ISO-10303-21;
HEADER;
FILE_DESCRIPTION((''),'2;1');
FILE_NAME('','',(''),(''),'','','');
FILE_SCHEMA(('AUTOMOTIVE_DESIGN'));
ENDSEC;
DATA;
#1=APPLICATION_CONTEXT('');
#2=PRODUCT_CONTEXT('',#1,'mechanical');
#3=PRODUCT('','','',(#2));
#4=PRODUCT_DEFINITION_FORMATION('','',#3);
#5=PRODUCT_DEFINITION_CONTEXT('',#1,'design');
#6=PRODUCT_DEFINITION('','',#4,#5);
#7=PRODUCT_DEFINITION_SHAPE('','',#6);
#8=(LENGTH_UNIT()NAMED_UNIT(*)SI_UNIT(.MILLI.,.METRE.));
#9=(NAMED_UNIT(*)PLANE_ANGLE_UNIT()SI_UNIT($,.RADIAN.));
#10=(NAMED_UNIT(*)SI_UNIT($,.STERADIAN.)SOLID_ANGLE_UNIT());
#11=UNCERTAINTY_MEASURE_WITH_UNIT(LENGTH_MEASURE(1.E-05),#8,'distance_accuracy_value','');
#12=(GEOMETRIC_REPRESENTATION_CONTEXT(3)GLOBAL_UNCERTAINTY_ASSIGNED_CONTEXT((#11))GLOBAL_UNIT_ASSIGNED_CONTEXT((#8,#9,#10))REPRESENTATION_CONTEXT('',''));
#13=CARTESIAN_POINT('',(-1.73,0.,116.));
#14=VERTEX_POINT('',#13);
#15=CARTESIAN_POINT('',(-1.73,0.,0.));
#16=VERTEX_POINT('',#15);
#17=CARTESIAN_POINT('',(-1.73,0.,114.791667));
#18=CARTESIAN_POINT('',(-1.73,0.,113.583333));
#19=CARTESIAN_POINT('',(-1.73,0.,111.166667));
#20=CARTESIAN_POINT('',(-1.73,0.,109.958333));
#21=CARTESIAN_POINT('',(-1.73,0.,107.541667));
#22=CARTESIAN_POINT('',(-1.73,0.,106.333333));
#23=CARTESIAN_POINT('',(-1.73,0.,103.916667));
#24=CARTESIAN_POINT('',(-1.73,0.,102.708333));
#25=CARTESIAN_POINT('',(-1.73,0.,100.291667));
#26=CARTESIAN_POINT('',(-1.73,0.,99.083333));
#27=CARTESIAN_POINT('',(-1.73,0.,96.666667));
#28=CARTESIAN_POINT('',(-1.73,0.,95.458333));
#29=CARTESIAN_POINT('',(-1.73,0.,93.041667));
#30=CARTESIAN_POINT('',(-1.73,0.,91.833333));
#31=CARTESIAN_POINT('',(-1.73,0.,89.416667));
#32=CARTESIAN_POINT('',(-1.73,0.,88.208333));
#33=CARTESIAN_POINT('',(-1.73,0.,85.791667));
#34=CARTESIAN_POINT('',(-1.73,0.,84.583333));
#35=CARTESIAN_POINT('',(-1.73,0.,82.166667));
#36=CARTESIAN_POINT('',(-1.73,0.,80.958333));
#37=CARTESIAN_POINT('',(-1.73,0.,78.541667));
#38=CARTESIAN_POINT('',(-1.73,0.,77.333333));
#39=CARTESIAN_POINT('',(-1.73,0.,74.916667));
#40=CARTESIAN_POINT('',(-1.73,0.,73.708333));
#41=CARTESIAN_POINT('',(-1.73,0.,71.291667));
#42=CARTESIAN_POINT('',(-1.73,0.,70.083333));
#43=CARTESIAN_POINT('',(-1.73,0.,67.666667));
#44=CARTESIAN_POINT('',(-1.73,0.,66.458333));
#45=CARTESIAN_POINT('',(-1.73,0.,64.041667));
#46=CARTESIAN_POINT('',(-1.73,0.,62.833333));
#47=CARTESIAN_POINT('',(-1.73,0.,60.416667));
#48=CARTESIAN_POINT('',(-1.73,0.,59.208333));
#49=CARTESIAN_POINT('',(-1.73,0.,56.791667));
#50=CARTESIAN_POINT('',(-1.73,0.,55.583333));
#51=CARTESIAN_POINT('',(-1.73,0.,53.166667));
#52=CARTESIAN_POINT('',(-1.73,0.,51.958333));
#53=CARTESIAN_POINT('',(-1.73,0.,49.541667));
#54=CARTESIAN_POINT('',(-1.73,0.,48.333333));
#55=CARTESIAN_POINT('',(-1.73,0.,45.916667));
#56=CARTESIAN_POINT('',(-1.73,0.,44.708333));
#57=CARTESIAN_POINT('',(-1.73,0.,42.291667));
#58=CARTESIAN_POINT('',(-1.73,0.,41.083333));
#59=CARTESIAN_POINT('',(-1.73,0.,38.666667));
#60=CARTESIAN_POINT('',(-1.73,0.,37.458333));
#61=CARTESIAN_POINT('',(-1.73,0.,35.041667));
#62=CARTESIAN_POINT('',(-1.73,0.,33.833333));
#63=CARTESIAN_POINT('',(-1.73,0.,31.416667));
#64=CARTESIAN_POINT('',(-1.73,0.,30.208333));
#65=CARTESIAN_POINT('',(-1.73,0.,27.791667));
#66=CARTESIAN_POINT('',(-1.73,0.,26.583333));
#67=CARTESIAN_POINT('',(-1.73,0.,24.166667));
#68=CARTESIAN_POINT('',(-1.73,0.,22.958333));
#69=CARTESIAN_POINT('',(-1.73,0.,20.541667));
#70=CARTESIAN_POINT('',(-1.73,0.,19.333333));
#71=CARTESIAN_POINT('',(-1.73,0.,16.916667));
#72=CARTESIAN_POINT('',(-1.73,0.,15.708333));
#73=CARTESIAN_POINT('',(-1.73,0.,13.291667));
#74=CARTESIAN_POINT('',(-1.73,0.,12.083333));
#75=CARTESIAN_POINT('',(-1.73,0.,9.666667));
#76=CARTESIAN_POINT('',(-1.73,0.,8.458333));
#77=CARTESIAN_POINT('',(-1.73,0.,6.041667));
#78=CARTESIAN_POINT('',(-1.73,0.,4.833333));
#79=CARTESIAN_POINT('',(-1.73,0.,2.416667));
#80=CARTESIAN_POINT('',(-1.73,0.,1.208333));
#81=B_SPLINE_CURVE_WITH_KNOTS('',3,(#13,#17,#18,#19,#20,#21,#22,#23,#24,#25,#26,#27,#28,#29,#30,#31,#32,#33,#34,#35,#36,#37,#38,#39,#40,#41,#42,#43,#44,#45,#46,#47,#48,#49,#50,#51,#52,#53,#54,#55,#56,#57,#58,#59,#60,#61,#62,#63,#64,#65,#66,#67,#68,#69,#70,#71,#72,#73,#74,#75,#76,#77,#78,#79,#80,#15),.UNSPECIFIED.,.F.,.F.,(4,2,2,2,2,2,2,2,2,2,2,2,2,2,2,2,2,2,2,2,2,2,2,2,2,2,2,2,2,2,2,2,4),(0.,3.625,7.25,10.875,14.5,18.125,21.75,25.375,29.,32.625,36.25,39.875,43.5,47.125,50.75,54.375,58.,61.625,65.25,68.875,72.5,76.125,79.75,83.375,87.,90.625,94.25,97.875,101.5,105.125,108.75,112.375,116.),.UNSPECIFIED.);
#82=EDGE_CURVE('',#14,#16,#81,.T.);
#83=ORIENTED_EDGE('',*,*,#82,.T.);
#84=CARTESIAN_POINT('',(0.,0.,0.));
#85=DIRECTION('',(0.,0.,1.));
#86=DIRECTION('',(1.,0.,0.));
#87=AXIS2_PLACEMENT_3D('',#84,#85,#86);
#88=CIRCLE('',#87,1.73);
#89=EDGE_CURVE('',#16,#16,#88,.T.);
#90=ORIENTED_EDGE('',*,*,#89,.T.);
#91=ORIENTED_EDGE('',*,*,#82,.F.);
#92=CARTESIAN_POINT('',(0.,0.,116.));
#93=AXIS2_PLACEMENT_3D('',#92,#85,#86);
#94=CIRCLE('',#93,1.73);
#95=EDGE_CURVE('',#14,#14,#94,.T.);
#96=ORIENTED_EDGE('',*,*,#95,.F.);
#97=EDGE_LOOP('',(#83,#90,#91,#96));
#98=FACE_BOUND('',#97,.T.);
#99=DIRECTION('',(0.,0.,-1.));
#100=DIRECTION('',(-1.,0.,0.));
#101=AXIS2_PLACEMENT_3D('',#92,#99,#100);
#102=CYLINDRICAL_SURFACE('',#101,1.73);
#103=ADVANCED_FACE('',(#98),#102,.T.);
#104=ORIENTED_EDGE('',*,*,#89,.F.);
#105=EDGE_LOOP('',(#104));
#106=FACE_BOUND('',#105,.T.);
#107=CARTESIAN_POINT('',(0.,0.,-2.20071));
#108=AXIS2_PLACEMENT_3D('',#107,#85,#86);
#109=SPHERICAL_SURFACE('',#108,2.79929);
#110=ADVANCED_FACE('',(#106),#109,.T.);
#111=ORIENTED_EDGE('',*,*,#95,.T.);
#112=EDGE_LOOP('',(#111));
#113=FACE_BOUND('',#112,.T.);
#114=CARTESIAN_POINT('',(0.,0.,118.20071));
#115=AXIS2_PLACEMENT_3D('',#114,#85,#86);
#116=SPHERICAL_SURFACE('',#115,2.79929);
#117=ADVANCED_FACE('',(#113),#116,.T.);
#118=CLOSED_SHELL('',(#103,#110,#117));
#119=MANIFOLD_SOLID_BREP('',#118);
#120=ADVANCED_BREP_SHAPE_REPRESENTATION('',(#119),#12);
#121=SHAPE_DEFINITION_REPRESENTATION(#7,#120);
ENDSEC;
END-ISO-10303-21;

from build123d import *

# Parameters (mm, degrees)
SKETCH1_R           = 1.73
BOSS_EXTRUDE1_DEPTH = 116
DOME1_FACE_RADIUS   = 1.73
DOME1_HEIGHT        = 5
DOME2_FACE_RADIUS   = 1.73
DOME2_HEIGHT        = 5


with BuildPart() as part:
    # Sketch1 → Boss-Extrude1 (new body)
    with BuildSketch(Plane.XY):
        with Locations(Location((0, 0, 0), (0, 0, 180))):
            Circle(SKETCH1_R)
    extrude(amount=BOSS_EXTRUDE1_DEPTH)

    # Dome1: a dome of height H over a round flat face of radius A is a cap of a sphere of radius (A * A + H * H) / (2 * H)
    dome1_r = (DOME1_FACE_RADIUS * DOME1_FACE_RADIUS + DOME1_HEIGHT * DOME1_HEIGHT) / (2 * DOME1_HEIGHT)
    dome1_base = Plane((0, 0, 0), z_dir=(0, 0, -1))
    with Locations(dome1_base.offset(DOME1_HEIGHT - dome1_r)):
        dome1_ball = Sphere(dome1_r, mode=Mode.PRIVATE)
    add(split(dome1_ball, bisect_by=dome1_base, keep=Keep.TOP, mode=Mode.PRIVATE))

    # Dome2: a dome of height H over a round flat face of radius A is a cap of a sphere of radius (A * A + H * H) / (2 * H)
    dome2_r = (DOME2_FACE_RADIUS * DOME2_FACE_RADIUS + DOME2_HEIGHT * DOME2_HEIGHT) / (2 * DOME2_HEIGHT)
    dome2_base = Plane((0, 0, 116), z_dir=(0, 0, 1))
    with Locations(dome2_base.offset(DOME2_HEIGHT - dome2_r)):
        dome2_ball = Sphere(dome2_r, mode=Mode.PRIVATE)
    add(split(dome2_ball, bisect_by=dome2_base, keep=Keep.TOP, mode=Mode.PRIVATE))


solid = part.part
